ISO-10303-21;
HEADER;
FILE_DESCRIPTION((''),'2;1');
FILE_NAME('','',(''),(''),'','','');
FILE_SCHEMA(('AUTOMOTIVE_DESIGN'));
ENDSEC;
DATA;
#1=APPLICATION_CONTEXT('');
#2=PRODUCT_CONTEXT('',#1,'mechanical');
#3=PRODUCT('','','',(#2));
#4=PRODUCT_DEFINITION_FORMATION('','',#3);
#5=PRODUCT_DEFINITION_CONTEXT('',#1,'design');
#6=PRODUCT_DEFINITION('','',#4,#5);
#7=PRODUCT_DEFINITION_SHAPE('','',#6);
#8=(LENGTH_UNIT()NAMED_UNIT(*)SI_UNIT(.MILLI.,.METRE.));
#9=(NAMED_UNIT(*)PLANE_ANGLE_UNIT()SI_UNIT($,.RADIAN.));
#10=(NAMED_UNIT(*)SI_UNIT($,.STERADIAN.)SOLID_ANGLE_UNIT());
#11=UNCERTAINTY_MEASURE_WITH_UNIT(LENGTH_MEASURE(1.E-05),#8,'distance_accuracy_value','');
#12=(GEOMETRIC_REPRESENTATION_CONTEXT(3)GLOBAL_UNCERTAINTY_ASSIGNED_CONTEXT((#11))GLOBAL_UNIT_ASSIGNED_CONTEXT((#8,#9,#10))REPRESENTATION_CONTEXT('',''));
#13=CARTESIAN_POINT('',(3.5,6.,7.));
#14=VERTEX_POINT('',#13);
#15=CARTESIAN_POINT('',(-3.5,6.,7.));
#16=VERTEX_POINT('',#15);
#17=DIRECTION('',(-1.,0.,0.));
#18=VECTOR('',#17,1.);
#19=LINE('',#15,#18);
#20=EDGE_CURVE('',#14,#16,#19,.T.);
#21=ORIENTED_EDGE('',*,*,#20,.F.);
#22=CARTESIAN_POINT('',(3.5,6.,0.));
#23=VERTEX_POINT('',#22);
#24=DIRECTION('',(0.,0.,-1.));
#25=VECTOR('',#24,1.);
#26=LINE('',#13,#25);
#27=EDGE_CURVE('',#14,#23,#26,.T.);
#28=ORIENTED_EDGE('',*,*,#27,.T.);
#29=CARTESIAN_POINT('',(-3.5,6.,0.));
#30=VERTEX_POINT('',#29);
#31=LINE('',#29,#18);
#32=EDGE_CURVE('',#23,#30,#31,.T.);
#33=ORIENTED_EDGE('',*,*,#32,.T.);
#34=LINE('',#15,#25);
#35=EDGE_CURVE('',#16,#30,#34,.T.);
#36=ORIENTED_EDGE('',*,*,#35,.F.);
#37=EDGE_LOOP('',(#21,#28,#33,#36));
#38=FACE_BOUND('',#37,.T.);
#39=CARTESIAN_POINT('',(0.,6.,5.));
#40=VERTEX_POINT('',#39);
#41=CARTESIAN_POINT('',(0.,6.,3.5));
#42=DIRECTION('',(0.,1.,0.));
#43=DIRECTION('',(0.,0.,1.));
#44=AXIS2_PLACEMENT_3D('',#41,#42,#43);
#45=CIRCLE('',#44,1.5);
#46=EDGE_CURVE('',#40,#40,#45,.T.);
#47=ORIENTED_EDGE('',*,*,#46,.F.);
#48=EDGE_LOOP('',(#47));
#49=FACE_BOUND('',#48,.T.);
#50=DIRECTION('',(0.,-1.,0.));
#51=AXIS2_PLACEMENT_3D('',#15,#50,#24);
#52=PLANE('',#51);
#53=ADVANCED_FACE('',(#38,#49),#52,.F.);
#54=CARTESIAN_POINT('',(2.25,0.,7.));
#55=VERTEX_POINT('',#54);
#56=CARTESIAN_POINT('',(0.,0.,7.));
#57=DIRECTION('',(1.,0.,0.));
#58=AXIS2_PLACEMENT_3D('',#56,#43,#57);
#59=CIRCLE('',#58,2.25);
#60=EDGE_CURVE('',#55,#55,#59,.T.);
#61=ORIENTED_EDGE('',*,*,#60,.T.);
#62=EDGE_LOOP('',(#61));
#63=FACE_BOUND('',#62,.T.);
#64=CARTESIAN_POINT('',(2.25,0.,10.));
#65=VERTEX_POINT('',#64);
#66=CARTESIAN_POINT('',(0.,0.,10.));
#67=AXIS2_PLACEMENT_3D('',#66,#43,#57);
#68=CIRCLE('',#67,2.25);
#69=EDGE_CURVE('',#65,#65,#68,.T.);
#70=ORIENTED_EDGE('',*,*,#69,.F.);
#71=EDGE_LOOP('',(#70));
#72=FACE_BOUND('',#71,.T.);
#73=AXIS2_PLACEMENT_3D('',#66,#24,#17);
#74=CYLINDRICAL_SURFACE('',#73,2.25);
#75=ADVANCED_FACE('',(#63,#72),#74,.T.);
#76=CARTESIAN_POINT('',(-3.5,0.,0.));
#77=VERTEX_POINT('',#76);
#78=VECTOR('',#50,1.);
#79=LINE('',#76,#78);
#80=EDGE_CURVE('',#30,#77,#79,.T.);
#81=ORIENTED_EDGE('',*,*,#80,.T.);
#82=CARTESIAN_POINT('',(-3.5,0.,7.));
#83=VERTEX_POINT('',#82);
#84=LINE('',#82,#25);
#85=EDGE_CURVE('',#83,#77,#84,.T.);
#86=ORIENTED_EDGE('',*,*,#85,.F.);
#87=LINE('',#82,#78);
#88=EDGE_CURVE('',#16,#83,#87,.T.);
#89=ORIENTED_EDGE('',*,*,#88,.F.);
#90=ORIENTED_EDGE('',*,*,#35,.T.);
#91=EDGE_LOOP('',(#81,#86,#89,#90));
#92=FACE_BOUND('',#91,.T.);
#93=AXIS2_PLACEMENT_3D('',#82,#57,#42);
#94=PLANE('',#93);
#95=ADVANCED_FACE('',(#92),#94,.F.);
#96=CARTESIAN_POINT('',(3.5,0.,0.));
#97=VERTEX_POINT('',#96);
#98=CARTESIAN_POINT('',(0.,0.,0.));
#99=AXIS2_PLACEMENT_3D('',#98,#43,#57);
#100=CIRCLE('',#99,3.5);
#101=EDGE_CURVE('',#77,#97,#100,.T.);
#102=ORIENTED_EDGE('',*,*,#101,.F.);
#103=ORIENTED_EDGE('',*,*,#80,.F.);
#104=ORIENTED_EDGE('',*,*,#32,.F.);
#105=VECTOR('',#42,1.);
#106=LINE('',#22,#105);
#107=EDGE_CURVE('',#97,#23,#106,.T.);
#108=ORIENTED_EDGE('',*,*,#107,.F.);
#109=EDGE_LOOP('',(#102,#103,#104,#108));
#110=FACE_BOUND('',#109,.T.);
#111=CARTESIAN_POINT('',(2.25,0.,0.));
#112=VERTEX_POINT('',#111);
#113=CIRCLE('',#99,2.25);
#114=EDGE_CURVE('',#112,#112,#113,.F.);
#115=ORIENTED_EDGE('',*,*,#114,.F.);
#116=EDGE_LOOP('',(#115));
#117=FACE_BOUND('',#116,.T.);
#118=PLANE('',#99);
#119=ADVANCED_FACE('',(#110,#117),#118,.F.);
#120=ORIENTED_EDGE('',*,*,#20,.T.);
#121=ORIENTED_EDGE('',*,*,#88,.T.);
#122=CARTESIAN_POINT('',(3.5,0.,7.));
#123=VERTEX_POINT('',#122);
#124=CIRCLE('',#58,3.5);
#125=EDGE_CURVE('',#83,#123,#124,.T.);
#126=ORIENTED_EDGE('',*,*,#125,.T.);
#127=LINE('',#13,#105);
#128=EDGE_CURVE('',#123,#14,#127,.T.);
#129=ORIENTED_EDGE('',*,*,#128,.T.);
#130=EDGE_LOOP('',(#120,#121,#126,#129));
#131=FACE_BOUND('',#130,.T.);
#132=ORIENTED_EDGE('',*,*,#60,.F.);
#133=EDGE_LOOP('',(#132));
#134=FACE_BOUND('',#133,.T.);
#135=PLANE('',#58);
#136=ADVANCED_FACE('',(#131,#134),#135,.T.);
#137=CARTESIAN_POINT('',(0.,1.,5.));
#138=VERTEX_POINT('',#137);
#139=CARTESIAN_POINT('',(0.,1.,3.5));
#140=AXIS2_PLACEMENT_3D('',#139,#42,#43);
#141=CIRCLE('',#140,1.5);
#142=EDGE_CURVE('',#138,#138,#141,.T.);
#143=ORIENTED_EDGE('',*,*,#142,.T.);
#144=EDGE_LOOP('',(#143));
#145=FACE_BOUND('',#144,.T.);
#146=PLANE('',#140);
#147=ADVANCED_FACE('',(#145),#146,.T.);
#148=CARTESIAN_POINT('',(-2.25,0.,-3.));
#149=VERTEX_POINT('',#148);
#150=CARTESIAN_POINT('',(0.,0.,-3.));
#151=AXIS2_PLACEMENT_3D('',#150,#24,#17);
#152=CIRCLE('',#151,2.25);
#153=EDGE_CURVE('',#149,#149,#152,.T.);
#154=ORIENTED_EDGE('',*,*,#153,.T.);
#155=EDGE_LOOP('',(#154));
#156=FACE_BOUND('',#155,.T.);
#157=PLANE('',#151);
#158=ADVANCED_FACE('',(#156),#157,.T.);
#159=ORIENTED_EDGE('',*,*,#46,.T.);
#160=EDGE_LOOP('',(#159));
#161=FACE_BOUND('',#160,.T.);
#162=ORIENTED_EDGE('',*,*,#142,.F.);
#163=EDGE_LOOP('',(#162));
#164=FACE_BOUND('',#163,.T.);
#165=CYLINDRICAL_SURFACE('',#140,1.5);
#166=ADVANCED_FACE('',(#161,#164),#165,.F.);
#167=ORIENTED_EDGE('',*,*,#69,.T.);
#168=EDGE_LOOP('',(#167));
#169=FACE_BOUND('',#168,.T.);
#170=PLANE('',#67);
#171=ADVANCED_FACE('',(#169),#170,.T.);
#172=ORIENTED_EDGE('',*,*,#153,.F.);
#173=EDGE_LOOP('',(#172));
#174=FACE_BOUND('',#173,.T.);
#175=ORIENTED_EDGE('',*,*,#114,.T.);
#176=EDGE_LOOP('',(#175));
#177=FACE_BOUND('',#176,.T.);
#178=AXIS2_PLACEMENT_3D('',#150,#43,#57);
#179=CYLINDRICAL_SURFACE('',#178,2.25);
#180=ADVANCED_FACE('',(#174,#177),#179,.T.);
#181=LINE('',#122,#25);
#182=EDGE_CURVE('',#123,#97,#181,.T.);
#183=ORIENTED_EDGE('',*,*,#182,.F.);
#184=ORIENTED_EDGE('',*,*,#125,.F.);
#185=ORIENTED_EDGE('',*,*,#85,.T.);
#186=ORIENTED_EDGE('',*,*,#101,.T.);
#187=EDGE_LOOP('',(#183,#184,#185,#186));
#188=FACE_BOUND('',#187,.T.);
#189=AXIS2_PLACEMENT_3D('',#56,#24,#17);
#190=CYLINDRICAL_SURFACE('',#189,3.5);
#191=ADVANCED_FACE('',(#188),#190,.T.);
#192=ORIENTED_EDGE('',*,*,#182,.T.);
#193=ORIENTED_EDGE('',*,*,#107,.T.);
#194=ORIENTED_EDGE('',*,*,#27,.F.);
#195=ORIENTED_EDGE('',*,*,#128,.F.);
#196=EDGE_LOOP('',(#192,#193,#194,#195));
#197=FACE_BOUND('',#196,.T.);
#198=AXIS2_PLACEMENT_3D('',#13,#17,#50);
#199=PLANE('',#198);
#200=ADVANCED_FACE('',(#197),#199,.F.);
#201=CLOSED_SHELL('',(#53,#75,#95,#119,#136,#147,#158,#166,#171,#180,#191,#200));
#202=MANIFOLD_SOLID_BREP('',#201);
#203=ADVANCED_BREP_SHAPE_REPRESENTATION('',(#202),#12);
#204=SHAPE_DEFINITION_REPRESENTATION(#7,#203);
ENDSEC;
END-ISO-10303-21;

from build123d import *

# Parameters (mm, degrees)
EXTRUDE_1_DEPTH     = 7
SKETCH_3_R          = 2.25
EXTRUDE_2_DEPTH     = 3
EXTRUDE_START       = 3
SKETCH_4_R          = 2.25
EXTRUDE_3_DEPTH     = 3
SKETCH_5_R          = 1.5
CUT_EXTRUDE_4_DEPTH = 5


with BuildPart() as part:
    # 草圖1 → 伸長1 (new body)
    with BuildSketch(Plane.XY):
        with BuildLine():
            Line((-3.5, 0), (-3.5, 6))
            Line((-3.5, 6), (3.5, 6))
            Line((3.5, 6), (3.5, 0))
            ThreePointArc((3.5, 0), (0, -3.5), (-3.5, 0))
        make_face()
    extrude(amount=EXTRUDE_1_DEPTH)

    # 草圖3 → 伸長2 (add)
    with BuildSketch(Plane.XY.offset(7)):
        Circle(SKETCH_3_R)
    extrude(amount=EXTRUDE_2_DEPTH)

    # 草圖4 → 伸長3 (add)
    with BuildSketch(Plane(origin=(0, 0, 0), x_dir=(-1, 0, 0), z_dir=(0, 0, -1)).offset(EXTRUDE_START)):
        with Locations(Location((0, 0, 0), (0, 0, 180))):
            Circle(SKETCH_4_R)
    extrude(amount=-EXTRUDE_3_DEPTH)

    # 草圖5 → 伸長4 (cut)
    with BuildSketch(Plane(origin=(0, 6, 0), x_dir=(1, 0, 0), z_dir=(0, 1, 0))):
        with Locations(Location((0, -3.5, 0), (0, 0, 270))):
            Circle(SKETCH_5_R)
    extrude(amount=-CUT_EXTRUDE_4_DEPTH, mode=Mode.SUBTRACT)


solid = part.part
